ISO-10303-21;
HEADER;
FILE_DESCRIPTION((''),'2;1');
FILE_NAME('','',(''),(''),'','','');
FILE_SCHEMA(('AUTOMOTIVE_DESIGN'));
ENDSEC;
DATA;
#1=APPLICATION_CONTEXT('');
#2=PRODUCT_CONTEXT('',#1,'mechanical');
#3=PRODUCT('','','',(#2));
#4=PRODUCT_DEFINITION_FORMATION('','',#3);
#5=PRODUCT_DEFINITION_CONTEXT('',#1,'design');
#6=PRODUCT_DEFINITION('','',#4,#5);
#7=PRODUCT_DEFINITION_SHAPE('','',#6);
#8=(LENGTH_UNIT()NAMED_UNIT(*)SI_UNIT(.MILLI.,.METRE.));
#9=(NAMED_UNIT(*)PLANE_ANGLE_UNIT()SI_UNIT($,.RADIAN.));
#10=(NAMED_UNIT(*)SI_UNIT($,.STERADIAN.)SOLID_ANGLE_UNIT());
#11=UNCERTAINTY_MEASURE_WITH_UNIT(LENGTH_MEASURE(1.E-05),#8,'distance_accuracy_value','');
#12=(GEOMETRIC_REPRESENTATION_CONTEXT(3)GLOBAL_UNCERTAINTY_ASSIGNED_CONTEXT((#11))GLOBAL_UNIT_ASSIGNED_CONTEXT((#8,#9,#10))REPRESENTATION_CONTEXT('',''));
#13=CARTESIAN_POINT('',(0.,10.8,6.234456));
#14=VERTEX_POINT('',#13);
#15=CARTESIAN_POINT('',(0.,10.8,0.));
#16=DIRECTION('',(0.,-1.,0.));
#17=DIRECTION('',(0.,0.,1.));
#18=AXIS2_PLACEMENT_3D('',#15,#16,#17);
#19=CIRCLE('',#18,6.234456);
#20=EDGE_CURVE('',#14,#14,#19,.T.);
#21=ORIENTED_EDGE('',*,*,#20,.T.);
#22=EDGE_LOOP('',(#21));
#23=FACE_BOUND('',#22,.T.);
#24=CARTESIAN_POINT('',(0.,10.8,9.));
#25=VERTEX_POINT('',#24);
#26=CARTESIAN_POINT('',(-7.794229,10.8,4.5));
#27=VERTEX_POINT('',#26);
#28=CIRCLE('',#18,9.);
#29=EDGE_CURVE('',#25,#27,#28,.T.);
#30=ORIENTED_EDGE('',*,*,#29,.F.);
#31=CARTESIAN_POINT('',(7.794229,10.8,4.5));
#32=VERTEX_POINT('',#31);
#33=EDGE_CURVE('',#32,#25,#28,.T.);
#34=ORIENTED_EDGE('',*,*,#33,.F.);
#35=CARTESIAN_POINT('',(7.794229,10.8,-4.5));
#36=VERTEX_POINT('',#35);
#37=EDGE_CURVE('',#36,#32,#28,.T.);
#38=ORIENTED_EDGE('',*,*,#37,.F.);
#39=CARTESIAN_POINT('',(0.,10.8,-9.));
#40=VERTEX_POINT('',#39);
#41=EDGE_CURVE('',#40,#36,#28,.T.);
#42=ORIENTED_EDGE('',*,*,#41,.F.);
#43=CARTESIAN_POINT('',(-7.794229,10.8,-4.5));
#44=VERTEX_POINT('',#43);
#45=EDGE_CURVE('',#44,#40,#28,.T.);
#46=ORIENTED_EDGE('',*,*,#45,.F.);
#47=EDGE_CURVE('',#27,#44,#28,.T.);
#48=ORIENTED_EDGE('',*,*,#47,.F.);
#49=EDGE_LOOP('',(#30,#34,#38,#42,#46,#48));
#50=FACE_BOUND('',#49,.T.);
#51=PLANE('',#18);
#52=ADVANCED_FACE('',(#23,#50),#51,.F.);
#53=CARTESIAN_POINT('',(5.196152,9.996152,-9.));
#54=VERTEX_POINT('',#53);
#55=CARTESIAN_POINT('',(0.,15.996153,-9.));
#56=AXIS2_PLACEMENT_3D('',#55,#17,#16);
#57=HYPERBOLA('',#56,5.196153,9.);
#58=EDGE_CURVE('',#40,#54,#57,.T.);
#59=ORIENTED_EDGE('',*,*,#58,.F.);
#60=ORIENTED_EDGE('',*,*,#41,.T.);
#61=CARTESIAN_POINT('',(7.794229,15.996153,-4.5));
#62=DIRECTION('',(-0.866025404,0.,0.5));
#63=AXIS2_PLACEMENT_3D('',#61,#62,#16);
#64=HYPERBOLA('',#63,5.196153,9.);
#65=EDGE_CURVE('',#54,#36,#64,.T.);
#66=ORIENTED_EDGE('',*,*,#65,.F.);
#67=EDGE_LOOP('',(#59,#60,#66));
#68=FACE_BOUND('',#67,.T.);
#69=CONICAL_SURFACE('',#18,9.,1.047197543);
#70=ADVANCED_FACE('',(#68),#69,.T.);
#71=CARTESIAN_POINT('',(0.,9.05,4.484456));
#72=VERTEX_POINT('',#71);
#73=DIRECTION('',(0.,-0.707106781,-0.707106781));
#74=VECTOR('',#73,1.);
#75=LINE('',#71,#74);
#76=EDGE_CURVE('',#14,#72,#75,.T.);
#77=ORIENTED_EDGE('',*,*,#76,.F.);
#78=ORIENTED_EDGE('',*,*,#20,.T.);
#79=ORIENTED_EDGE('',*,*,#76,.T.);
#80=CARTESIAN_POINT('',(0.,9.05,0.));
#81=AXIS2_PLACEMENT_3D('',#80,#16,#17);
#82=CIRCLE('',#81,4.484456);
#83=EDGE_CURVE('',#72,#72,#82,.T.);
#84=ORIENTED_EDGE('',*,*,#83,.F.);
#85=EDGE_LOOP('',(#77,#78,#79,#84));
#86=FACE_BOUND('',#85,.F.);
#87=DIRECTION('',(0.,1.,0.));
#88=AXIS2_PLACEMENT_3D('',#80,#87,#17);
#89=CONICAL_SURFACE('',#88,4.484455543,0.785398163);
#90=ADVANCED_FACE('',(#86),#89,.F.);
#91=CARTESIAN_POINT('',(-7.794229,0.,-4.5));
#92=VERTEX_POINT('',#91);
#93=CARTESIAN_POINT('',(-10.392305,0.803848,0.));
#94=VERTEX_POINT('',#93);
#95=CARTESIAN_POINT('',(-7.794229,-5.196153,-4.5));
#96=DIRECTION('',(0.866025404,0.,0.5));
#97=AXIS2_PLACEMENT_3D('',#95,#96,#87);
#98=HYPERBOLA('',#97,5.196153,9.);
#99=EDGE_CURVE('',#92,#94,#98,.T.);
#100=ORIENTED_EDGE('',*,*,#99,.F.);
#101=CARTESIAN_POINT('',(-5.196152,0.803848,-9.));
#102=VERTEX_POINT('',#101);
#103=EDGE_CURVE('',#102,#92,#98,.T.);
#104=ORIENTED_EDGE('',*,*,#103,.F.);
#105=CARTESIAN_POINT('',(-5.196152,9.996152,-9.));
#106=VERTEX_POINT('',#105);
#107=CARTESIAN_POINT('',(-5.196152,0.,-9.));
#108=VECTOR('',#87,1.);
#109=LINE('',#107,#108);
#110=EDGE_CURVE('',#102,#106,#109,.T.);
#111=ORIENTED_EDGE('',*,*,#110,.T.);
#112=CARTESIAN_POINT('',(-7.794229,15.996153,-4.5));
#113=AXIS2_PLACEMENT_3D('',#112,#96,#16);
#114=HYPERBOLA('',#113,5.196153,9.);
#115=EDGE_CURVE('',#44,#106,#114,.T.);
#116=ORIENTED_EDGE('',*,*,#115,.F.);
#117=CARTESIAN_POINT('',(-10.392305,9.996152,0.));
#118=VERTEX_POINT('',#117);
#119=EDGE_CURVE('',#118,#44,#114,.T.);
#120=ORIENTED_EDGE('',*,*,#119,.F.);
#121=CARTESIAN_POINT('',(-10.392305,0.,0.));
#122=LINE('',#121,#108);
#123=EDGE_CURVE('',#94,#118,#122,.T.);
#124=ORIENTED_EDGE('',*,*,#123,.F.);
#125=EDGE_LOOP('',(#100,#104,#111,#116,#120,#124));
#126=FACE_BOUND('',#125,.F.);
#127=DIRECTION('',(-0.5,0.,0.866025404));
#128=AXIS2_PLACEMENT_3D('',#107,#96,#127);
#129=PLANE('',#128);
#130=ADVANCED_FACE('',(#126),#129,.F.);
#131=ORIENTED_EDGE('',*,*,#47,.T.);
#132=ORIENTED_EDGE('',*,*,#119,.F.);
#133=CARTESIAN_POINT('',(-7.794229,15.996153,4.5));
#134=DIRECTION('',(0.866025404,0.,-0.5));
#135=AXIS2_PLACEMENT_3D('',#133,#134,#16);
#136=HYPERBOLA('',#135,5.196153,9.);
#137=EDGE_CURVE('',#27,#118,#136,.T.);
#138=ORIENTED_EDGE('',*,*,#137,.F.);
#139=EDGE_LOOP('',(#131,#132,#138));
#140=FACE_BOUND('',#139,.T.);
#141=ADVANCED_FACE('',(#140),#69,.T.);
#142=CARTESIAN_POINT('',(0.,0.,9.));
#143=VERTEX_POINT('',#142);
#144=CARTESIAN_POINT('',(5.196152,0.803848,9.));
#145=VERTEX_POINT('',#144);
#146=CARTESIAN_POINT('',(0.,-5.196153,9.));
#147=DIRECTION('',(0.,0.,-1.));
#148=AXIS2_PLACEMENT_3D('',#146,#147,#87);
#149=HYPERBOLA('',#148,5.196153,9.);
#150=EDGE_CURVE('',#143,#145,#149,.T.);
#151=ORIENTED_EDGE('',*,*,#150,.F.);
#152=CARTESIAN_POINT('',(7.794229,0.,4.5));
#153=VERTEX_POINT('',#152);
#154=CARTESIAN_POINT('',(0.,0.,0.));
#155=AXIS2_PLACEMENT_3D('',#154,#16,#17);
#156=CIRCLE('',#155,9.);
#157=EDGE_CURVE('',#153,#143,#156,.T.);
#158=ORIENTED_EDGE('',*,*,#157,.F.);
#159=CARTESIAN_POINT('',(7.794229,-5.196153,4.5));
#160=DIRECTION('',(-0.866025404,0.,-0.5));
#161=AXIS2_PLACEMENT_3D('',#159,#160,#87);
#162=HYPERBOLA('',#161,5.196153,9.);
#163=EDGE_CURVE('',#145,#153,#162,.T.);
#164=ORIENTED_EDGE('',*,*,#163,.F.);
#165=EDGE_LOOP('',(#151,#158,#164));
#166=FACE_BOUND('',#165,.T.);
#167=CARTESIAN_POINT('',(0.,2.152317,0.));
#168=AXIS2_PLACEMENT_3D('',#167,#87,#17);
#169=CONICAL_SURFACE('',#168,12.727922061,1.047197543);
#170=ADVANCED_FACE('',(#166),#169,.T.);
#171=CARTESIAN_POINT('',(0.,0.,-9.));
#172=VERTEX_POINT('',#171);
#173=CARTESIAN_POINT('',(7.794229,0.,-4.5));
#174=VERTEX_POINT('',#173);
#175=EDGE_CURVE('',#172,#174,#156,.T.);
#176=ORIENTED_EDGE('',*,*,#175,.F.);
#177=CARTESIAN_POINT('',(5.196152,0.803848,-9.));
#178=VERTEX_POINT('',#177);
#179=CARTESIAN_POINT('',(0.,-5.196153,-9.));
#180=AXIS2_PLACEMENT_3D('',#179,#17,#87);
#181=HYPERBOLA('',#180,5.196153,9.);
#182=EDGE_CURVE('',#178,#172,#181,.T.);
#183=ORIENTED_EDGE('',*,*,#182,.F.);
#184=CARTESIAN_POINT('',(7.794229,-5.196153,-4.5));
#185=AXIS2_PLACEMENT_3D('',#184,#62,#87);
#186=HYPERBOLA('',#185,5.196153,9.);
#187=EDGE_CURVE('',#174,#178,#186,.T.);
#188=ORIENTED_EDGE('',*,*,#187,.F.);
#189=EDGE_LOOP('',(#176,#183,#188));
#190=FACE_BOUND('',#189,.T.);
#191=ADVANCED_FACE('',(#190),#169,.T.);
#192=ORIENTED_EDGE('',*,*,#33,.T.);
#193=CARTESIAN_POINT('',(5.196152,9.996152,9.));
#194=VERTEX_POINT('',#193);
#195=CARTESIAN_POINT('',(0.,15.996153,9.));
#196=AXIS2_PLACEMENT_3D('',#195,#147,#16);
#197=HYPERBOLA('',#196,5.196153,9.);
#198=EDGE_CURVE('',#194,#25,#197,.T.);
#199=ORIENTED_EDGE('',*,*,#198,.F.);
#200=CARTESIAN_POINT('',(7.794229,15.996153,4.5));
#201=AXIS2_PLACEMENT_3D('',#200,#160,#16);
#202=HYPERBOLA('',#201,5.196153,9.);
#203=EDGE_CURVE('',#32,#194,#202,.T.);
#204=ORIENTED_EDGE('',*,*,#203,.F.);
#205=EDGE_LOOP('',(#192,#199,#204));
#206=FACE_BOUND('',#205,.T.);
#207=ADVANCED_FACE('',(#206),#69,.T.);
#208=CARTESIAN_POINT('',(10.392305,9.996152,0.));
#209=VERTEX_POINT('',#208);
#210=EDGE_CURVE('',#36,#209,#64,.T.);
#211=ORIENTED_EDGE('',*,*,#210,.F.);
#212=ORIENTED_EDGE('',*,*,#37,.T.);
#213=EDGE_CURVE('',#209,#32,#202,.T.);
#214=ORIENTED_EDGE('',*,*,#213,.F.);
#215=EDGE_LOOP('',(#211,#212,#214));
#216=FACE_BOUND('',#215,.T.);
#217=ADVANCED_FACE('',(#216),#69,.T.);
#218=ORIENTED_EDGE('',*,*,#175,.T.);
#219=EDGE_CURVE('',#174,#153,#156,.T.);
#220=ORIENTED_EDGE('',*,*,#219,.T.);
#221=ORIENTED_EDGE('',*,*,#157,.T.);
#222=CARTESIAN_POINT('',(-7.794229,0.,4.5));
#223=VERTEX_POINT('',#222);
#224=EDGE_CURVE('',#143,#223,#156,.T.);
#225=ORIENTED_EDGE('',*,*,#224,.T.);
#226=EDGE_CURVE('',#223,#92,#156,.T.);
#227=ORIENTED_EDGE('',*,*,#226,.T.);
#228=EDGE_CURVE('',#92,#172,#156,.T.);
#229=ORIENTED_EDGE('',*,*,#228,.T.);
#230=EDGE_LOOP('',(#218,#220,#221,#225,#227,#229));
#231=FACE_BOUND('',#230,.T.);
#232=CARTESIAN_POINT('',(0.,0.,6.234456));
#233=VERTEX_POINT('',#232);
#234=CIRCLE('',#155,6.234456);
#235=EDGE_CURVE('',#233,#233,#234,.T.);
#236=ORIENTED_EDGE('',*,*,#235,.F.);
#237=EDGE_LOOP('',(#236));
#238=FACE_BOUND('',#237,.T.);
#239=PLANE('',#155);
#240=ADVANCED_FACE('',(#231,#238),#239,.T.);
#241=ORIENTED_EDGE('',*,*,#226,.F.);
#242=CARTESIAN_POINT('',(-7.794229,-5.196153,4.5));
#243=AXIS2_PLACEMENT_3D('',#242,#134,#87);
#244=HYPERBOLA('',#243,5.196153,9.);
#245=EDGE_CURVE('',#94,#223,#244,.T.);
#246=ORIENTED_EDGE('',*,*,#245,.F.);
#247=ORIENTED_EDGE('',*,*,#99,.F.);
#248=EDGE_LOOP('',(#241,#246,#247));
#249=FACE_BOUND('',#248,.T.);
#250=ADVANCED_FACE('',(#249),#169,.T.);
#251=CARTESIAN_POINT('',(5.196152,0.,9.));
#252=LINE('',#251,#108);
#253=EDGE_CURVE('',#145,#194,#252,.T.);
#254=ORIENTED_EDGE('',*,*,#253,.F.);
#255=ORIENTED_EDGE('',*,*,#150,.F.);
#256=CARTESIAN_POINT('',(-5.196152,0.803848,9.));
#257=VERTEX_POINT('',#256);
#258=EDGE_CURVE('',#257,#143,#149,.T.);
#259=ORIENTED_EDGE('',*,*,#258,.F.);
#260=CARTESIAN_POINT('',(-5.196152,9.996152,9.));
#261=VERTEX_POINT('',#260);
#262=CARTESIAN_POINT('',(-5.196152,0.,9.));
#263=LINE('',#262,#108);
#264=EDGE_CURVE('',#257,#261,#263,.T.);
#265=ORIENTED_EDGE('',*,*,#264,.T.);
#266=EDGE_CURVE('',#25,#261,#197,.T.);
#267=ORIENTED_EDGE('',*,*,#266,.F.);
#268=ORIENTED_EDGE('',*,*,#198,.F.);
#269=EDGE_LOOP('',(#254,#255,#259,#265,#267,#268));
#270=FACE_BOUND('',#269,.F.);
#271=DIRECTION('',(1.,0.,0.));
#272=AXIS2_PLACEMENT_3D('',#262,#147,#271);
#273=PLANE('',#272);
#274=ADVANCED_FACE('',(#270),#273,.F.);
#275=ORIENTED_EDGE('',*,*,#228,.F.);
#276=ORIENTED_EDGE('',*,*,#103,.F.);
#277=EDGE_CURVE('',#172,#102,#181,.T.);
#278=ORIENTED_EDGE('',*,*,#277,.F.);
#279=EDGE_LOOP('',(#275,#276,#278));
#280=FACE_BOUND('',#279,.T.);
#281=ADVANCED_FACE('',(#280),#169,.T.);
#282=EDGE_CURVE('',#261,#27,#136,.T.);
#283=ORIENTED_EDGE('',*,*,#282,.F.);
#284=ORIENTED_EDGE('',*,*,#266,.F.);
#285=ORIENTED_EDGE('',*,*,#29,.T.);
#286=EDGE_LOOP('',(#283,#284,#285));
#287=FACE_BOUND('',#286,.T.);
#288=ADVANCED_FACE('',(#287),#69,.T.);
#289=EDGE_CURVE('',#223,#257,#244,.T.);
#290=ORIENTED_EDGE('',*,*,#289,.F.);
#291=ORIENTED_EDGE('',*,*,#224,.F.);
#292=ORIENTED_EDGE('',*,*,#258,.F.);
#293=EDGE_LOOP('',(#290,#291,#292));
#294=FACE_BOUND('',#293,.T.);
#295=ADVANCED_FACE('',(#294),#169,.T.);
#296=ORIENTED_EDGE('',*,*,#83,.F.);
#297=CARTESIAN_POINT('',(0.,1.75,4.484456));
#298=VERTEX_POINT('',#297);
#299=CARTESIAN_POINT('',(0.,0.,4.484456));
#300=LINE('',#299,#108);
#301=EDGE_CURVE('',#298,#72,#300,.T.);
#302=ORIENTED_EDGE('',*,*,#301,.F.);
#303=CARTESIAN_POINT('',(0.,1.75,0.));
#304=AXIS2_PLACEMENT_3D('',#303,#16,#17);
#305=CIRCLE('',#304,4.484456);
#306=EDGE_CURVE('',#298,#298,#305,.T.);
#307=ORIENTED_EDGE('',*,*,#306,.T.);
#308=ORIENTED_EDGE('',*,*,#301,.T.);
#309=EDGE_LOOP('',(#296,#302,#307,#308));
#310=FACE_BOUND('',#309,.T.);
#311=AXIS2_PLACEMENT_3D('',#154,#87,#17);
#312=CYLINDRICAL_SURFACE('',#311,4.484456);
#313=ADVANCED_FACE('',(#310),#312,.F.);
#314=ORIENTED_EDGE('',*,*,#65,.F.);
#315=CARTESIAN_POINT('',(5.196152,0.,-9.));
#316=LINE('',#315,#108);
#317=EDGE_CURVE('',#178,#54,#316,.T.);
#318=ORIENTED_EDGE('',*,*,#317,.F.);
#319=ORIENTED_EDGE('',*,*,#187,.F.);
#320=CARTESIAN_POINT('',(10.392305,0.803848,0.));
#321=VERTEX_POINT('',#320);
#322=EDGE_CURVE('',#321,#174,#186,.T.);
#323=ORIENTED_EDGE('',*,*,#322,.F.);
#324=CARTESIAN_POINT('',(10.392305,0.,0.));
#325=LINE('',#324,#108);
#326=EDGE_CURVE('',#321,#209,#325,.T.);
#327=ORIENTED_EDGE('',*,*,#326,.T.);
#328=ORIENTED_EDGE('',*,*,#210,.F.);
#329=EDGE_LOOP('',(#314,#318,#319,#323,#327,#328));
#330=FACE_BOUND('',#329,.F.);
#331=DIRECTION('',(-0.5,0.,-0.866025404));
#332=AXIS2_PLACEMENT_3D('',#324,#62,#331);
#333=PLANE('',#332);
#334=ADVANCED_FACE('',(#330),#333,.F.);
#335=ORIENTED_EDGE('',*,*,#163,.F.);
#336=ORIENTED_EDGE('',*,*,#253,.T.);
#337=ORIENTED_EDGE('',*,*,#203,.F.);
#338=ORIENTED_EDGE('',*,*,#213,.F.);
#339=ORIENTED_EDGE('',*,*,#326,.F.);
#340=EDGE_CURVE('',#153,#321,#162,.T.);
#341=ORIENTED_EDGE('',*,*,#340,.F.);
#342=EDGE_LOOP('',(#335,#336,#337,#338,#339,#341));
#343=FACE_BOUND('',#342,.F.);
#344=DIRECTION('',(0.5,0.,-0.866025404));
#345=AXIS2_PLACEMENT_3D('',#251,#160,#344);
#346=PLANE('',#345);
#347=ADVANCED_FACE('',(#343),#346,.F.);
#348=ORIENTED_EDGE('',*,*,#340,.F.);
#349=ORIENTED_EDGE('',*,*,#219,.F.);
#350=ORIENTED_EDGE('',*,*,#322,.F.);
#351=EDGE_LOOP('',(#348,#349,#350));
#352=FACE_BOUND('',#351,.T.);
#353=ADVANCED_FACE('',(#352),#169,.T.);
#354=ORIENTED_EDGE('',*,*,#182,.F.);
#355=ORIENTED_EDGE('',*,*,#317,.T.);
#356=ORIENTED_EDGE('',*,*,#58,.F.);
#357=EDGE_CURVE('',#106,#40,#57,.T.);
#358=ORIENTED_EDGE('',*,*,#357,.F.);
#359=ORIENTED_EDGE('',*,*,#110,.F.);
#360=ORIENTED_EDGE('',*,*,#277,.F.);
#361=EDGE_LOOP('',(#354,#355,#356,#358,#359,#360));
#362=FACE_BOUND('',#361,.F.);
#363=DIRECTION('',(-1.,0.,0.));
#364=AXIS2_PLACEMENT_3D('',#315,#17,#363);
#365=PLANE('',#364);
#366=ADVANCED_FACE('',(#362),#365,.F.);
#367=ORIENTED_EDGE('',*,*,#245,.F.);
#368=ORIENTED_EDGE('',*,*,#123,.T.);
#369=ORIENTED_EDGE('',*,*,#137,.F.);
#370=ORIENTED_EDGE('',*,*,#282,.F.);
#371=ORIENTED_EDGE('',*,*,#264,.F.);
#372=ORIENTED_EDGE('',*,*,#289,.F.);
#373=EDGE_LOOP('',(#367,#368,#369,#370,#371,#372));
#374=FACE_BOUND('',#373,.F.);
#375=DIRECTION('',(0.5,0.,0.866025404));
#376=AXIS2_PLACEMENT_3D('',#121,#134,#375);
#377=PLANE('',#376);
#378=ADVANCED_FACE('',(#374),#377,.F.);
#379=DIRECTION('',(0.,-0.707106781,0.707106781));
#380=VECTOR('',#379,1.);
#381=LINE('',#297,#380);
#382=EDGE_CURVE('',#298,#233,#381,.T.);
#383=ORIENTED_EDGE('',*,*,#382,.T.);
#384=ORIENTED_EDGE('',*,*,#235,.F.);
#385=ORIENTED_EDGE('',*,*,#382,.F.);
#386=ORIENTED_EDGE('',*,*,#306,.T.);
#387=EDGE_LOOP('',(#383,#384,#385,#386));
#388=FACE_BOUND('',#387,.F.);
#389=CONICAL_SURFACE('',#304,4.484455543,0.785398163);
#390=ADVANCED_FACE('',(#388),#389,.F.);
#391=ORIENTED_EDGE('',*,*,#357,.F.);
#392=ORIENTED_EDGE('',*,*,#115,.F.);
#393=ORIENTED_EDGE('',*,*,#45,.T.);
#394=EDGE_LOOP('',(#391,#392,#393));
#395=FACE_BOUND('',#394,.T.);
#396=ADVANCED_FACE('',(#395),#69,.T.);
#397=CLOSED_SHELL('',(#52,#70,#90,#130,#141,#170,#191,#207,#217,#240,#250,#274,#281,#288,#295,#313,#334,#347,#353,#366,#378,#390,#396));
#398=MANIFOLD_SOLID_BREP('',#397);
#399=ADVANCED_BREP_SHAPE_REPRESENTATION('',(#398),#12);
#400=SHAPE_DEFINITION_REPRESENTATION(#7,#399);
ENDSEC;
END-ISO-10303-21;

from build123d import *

# Parameters (mm, degrees)
ESQUISSE2_OUTSIDE_W     = 34.974
ESQUISSE2_OUTSIDE_H     = 34.974
ENL_V_MAT_EXTRU_1_DEPTH = 10.8
CHANFREIN_SIZE          = 1.75


with BuildPart() as part:
    # Esquisse1 → Base-Révolution (revolve)
    with BuildSketch(Plane.XY):
        Polygon((4.484455543, 10.8), (9, 10.8), (12.727922061, 8.647683156), (12.727922061, 2.152316844), (9, 0), (4.484455543, 0), align=None)
    revolve(axis=Axis((0, 2.4, 0), (0, -1, 0)))

    # Esquisse2 outside → Enlèv. mat.-Extru.1 (cut)
    with BuildSketch(Plane(origin=(0, 0, 0), x_dir=(1, 0, 0), z_dir=(0, 1, 0))):
        Rectangle(ESQUISSE2_OUTSIDE_W, ESQUISSE2_OUTSIDE_H)
        Polygon((-5.196152423, -9), (5.196152423, -9), (10.392304845, 0), (5.196152423, 9), (-5.196152423, 9), (-10.392304845, 0), align=None, mode=Mode.SUBTRACT)
    extrude(amount=ENL_V_MAT_EXTRU_1_DEPTH, mode=Mode.SUBTRACT)

    # Chanfrein
    chanfrein_edges = [part.edges().sort_by_distance(p)[0] for p in [
        (-4.484455543, 10.8, 0),
        (-4.484455543, 0, 0),
    ]]
    chamfer(chanfrein_edges, length=CHANFREIN_SIZE)


solid = part.part
